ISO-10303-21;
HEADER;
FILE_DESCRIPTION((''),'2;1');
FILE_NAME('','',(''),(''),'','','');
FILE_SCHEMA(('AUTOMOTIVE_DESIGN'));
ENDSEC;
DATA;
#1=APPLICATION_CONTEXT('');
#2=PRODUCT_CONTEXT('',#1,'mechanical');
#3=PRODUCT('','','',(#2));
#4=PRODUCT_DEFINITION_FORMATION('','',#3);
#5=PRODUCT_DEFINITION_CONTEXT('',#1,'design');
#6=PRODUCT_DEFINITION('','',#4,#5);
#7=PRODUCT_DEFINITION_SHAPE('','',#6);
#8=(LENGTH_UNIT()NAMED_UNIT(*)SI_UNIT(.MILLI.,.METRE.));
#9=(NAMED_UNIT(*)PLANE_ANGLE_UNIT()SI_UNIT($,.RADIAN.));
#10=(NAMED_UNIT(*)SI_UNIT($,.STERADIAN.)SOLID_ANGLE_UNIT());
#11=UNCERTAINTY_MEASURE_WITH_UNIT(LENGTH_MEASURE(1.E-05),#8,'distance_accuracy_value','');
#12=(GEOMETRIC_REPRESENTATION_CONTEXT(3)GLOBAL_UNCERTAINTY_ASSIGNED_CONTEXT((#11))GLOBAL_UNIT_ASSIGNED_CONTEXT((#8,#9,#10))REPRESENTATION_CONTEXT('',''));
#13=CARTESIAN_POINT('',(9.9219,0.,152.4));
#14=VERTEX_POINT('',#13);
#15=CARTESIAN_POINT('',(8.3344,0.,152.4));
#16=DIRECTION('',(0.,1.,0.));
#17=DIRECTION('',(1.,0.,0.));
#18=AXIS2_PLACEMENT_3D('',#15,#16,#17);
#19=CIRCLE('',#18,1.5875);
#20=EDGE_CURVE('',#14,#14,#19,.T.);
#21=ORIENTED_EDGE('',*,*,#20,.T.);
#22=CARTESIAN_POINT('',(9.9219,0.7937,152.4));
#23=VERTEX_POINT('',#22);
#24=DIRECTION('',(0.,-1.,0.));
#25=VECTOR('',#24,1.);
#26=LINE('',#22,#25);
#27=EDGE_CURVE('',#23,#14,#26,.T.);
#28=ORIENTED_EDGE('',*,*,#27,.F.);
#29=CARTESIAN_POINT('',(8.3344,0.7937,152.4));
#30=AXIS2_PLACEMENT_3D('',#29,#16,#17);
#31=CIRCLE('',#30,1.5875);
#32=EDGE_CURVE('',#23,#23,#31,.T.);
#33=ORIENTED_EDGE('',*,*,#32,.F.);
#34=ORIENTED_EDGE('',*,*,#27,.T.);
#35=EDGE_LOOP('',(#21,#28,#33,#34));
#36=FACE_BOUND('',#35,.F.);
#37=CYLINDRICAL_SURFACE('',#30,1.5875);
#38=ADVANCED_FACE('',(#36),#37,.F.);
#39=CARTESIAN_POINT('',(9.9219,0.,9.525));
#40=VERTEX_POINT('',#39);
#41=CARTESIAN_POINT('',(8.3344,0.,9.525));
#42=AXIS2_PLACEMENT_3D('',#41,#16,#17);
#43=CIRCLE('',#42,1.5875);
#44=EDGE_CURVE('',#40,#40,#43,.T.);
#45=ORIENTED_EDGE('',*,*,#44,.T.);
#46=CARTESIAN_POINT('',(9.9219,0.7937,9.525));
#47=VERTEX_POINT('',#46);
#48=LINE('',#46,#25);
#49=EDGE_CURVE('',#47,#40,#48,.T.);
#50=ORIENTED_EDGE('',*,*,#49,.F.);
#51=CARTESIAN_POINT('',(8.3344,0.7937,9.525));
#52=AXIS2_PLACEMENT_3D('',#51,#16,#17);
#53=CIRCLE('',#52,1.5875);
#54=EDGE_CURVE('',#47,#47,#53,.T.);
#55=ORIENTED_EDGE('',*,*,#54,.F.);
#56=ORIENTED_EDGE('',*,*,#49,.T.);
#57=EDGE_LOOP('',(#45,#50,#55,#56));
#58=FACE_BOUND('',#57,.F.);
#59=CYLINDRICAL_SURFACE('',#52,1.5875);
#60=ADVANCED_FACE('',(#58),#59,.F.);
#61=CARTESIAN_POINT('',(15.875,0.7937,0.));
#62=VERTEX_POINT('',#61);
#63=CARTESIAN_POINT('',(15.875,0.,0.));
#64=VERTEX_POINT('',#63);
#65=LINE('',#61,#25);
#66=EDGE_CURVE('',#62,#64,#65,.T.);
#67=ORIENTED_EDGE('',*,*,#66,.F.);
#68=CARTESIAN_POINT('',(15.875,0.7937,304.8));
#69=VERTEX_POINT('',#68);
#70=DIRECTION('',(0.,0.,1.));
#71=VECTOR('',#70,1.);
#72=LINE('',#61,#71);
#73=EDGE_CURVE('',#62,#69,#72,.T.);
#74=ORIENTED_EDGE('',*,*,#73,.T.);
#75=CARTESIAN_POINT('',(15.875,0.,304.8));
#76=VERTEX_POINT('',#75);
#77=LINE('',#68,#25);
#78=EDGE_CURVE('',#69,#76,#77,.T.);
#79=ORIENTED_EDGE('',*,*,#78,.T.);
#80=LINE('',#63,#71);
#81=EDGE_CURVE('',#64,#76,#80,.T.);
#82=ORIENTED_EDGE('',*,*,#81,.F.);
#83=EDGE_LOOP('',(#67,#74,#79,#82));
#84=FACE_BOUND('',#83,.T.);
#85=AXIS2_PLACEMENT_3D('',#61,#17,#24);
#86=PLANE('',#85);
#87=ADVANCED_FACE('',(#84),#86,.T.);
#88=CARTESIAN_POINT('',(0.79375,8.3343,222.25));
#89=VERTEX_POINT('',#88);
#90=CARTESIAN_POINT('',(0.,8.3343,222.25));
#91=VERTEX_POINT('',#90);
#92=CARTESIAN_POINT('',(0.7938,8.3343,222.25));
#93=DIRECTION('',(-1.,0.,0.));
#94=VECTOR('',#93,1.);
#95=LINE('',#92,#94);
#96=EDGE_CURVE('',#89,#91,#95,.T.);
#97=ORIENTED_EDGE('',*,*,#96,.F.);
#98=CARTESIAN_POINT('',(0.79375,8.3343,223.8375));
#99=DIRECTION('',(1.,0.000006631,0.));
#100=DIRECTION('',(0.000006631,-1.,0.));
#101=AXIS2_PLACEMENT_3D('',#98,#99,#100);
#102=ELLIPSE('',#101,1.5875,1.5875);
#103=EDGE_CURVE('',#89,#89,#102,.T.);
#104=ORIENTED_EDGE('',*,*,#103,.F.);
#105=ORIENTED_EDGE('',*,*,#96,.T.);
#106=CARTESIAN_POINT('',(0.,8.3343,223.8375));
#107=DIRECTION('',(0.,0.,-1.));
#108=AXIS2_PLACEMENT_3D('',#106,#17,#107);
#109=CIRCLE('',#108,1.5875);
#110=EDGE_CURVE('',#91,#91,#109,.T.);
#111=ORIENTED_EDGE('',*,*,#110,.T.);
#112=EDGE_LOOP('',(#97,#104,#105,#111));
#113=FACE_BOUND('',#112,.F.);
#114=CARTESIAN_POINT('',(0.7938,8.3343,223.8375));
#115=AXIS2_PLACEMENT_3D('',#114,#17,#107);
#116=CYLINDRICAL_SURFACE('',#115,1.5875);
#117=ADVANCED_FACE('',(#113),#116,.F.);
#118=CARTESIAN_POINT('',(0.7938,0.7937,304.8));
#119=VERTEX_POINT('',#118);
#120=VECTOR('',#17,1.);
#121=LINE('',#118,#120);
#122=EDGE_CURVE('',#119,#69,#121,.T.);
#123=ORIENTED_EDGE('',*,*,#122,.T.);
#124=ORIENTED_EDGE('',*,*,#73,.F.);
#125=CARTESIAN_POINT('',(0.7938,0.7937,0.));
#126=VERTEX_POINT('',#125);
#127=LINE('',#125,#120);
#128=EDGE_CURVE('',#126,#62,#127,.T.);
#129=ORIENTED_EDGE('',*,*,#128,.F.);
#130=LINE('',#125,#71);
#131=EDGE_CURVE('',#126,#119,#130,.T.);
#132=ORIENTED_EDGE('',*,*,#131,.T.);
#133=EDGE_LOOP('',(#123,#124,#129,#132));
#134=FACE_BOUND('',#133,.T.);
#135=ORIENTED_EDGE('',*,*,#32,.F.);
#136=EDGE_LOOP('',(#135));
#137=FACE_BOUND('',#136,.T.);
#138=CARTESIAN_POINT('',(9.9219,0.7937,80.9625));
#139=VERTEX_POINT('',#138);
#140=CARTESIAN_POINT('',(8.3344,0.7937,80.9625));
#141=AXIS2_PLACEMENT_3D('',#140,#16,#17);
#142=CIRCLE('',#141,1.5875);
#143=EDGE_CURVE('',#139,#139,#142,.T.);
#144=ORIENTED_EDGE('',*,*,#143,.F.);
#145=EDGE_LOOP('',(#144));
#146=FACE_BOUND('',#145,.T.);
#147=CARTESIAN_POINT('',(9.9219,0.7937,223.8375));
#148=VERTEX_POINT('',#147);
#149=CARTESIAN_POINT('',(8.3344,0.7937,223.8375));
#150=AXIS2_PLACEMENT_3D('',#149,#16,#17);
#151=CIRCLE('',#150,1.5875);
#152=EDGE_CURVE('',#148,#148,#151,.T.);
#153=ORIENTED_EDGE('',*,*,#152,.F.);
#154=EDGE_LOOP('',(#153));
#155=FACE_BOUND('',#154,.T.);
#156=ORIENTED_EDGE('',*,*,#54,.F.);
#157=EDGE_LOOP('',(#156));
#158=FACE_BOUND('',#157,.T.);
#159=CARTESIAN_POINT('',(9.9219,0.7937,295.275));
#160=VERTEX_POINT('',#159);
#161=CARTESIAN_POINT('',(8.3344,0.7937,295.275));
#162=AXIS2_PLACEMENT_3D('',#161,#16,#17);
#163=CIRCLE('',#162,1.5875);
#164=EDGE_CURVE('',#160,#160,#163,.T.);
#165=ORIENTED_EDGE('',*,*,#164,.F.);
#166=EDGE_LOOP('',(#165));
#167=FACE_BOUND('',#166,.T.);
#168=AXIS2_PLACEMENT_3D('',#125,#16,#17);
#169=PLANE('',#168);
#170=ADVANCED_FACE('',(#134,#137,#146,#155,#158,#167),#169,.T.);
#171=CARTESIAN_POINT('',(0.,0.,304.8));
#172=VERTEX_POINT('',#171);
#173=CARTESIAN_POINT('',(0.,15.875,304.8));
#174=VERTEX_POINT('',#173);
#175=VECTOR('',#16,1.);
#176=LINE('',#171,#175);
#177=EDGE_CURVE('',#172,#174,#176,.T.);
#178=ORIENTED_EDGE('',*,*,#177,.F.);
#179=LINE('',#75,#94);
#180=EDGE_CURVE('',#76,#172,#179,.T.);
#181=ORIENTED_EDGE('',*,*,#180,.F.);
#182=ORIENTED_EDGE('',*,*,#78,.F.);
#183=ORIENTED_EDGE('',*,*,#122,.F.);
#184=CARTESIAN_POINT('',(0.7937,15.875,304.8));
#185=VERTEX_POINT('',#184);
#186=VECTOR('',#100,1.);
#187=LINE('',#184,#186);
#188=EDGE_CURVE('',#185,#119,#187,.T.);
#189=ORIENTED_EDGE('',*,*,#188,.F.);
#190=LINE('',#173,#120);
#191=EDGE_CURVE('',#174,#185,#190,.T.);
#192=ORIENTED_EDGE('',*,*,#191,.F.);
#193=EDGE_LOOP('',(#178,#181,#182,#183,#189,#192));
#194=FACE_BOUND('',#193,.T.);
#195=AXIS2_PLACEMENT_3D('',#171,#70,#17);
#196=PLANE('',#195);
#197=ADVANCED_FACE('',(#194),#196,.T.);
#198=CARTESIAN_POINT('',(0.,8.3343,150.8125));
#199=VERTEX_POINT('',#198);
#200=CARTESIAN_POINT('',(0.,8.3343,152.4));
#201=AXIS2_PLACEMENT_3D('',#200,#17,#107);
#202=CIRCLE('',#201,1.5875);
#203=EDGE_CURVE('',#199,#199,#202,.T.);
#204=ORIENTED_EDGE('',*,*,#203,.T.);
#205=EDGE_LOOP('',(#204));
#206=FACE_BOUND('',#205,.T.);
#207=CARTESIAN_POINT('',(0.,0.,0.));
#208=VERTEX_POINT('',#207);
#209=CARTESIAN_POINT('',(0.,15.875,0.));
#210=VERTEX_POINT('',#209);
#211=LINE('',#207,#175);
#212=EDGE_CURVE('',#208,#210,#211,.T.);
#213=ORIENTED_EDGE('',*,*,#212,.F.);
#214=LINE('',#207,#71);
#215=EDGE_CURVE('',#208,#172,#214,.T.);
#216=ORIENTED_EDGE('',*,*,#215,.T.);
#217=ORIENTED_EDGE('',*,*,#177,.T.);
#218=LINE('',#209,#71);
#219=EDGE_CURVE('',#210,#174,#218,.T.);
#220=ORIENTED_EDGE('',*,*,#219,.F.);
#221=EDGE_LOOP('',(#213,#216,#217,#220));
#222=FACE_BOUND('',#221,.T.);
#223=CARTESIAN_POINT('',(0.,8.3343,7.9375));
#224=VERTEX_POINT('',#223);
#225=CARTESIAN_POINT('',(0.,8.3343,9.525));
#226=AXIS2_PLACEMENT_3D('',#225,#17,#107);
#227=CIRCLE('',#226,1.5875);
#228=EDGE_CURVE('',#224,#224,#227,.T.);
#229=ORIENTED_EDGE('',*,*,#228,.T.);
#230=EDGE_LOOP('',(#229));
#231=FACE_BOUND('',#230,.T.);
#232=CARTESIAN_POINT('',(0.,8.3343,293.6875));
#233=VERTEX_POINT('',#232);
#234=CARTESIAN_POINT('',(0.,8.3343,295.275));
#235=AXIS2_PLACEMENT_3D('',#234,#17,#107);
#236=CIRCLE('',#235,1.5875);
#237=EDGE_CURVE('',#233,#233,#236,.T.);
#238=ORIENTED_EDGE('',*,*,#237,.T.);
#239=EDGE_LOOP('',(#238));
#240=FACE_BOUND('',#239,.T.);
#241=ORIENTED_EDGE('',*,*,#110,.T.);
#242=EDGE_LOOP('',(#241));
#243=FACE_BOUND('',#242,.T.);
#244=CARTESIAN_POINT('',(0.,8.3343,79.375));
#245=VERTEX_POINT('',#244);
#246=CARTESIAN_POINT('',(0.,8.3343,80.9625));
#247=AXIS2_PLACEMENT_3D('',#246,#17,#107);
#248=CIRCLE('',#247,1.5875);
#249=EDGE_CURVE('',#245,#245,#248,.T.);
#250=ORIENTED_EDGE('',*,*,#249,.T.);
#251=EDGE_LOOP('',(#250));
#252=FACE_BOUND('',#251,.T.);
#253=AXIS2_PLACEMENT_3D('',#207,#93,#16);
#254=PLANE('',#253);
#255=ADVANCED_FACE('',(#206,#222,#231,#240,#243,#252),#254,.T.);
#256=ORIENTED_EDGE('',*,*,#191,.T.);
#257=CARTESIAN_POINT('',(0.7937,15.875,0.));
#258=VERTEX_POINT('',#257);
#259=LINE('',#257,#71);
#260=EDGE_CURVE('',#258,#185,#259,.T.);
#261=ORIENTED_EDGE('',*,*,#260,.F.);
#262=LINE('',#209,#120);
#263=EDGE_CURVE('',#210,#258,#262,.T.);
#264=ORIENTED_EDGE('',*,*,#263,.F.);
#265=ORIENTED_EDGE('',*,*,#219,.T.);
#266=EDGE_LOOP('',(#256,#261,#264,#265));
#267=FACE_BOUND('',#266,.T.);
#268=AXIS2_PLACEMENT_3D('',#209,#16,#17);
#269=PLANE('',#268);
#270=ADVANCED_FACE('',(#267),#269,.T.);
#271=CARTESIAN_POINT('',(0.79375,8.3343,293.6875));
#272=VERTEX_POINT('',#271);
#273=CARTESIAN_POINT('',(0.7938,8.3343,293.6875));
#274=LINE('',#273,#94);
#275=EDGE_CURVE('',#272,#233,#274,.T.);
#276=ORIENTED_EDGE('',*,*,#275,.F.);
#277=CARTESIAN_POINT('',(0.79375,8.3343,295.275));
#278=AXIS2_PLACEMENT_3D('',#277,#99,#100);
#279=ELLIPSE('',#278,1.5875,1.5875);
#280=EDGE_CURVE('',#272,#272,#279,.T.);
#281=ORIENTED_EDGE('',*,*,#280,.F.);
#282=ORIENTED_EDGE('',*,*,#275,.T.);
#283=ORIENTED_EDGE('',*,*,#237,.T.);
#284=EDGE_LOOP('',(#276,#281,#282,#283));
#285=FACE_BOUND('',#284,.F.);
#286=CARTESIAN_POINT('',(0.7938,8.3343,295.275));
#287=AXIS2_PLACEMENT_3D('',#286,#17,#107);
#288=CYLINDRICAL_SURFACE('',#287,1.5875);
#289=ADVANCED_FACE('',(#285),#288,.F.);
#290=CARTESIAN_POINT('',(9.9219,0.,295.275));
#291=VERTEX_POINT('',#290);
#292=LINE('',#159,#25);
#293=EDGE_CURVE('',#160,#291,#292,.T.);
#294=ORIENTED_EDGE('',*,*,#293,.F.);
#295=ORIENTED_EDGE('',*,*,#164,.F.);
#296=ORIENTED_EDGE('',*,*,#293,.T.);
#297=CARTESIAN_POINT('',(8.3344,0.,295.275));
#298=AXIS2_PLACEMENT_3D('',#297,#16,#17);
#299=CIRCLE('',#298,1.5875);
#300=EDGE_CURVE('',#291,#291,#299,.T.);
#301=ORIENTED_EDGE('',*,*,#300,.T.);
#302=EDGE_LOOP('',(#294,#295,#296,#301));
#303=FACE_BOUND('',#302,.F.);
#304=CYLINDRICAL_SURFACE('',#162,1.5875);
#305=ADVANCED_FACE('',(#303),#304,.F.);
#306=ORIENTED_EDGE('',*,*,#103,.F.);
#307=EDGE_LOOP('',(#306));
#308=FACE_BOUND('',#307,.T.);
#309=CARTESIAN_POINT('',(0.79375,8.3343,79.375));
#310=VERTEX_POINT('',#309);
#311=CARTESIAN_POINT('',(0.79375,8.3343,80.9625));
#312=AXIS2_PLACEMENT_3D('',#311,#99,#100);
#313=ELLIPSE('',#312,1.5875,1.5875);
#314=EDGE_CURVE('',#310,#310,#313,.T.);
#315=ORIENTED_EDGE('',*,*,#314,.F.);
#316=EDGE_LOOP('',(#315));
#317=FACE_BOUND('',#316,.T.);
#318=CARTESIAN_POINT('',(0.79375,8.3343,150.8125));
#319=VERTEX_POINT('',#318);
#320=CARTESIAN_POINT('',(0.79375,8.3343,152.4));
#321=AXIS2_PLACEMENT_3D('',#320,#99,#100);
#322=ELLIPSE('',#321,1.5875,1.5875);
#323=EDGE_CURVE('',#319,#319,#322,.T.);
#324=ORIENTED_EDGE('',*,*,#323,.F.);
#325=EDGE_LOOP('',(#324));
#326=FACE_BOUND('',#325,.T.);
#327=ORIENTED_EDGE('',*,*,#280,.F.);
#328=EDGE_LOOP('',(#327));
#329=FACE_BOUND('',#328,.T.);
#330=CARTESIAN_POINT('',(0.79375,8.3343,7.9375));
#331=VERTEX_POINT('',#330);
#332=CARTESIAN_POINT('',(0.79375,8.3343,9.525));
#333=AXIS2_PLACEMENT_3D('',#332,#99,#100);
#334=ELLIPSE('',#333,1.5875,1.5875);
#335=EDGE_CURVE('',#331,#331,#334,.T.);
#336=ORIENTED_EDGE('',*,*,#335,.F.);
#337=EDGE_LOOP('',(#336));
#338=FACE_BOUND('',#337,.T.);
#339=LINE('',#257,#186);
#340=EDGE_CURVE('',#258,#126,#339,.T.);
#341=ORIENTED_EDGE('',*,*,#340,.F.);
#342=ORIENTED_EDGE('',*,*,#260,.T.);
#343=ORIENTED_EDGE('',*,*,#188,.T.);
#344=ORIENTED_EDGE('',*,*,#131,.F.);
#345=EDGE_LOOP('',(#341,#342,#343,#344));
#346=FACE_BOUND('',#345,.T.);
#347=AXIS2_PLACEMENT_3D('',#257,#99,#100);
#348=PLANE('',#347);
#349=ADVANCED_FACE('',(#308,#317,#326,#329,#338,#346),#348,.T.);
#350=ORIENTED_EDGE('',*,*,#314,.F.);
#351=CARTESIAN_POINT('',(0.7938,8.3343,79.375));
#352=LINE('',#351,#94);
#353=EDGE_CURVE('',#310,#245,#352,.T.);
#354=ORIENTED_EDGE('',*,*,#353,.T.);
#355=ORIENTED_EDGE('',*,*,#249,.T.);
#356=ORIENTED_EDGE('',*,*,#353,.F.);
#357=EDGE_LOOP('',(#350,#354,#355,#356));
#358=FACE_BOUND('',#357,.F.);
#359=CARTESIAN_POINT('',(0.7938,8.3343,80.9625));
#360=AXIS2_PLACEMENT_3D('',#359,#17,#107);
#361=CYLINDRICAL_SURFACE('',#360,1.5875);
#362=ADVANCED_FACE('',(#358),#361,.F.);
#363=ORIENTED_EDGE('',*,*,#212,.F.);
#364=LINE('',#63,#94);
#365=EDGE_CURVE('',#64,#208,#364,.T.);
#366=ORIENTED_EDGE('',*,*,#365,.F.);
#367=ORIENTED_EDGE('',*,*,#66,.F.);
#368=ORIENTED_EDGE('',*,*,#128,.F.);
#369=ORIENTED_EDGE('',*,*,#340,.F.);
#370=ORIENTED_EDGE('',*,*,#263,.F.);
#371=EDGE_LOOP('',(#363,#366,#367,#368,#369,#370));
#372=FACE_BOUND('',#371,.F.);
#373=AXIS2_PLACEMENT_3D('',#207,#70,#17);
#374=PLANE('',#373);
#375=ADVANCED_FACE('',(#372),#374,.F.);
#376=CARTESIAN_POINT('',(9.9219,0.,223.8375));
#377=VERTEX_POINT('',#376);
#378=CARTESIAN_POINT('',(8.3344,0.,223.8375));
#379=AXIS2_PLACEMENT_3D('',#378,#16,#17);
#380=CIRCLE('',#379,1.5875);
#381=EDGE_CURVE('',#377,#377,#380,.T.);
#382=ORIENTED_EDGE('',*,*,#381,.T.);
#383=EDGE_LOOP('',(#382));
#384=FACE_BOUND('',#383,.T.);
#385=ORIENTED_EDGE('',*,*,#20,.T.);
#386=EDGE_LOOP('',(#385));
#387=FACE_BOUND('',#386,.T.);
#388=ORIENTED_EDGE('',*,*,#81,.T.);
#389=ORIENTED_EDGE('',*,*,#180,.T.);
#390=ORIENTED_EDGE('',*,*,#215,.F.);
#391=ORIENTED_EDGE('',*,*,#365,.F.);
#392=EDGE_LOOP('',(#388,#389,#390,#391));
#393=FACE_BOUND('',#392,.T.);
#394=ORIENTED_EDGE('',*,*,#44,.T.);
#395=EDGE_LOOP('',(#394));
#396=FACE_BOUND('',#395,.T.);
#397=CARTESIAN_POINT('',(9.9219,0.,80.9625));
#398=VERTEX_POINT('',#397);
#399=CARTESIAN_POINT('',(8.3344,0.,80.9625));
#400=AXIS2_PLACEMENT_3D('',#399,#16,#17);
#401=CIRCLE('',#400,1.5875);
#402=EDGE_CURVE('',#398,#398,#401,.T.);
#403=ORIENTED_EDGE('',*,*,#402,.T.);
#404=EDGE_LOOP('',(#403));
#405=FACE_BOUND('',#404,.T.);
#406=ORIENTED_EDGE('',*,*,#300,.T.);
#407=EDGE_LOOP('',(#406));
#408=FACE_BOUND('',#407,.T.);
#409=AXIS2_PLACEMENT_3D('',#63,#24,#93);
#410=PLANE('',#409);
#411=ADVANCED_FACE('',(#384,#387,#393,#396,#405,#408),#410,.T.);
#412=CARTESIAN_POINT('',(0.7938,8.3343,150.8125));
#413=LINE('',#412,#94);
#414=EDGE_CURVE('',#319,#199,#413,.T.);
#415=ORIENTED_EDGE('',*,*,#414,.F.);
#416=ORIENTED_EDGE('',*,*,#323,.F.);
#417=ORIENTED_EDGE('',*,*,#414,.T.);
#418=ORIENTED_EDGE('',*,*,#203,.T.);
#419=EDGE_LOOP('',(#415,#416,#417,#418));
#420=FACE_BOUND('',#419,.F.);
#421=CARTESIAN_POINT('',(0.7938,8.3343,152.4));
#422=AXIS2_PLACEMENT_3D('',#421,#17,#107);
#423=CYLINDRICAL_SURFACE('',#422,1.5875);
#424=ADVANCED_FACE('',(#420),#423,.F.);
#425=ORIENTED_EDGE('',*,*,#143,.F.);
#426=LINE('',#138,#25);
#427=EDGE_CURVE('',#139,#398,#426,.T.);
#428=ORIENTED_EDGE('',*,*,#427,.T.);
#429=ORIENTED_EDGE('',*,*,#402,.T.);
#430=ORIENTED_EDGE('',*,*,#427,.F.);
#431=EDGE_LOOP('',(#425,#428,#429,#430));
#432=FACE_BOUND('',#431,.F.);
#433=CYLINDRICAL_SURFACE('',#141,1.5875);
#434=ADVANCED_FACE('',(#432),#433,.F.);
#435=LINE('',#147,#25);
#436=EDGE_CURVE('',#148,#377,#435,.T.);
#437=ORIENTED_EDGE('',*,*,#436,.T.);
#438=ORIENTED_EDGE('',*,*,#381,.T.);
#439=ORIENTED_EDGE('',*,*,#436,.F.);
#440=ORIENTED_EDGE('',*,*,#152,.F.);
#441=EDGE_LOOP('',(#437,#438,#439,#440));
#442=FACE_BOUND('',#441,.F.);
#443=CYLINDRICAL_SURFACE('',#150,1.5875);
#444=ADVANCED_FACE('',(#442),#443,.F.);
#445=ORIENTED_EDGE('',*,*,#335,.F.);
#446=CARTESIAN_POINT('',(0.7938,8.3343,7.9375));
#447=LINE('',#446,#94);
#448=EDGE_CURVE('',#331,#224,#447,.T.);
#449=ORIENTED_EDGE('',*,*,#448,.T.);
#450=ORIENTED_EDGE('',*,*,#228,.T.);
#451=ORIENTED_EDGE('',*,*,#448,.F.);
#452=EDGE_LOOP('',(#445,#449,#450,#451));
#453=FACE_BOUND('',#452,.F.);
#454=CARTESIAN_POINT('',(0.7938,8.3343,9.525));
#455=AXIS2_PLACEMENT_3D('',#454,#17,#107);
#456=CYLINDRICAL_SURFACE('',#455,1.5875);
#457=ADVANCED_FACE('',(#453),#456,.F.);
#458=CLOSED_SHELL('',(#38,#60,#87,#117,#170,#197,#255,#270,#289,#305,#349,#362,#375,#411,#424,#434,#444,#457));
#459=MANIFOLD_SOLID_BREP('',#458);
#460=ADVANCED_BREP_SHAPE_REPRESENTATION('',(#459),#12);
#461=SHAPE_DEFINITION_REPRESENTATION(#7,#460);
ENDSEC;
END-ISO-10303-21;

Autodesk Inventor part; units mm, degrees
ref_plane "YZ Plane" through (0, 0, 0) normal (1, 0, 0) x (0, 1, 0)
ref_plane "XZ Plane" through (0, 0, 0) normal (0, 1, 0) x (-1, 0, 0)
ref_plane "XY Plane" through (0, 0, 0) normal (0, 0, 1) x (1, 0, 0)
sketch "Sketch1" plane through (0, 0, 0) normal (0, 0, 1) x (1, 0, 0)
  line L0 (0, 0) -> (0, 15.875)
  line L1 (0, 15.875) -> (0.7937, 15.875)
  line L2 (0.7937, 15.875) -> (0.7938, 0.7937)
  line L3 (0.7938, 0.7937) -> (15.875, 0.7937)
  line L4 (15.875, 0.7937) -> (15.875, 0)
  line L5 (15.875, 0) -> (0, 0)
  dimension "d0" = 15.875
  dimension "d1" = 0.7937
extrude "Extrusion1" add sketch "Sketch1" along normal blind 304.8
sketch "Sketch2" plane through (0.7938, 0.7937, 0) normal (0, 1, 0) x (1, 0, 0)
  line L0 (0, 0) -> (15.0812, 0) projected
  line L1 (15.0812, -304.8) -> (0, -304.8) projected
  line L2 (7.5406, 0) -> (7.5406, -304.8) construction
  circle A0 centre (7.5406, -9.525) radius 1.5875
  circle A1 centre (7.5406, -80.9625) radius 1.5875
  circle A2 centre (7.5406, -152.4) radius 1.5875
  circle A3 centre (7.5406, -223.8375) radius 1.5875
  circle A4 centre (7.5406, -295.275) radius 1.5875
  point P0 (-0.7938, 0)
  dimension "d4" = 9.525
  dimension "d5" = 3.175
  dimension "d6" = 304.8
  dimension "d9" = 71.4375
sketch "Sketch3" plane through (0.7938, 0.7937, 0) normal (1, 0, 0) x (0, 0, -1)
  line L0 (0, 15.0812) -> (0, 0) projected
  line L1 (-304.8, 0) -> (-304.8, 15.0812) projected
  line L2 (-304.8, 7.5406) -> (0, 7.5406) construction
  circle A0 centre (-9.525, 7.5406) radius 1.5875
  circle A1 centre (-80.9625, 7.5406) radius 1.5875
  circle A2 centre (-152.4, 7.5406) radius 1.5875
  circle A3 centre (-223.8375, 7.5406) radius 1.5875
  circle A4 centre (-295.275, 7.5406) radius 1.5875
  point P0 (0, -0.7937)
  dimension "d14" = 3.175
  dimension "d15" = 9.525
  dimension "d16" = 304.8
  dimension "d19" = 71.4375
extrude "Extrusion2" cut sketch "Sketch2" against normal through all
extrude "Extrusion3" cut sketch "Sketch3" against normal through all
properties part number "Hopper Bracing Right Bottom P9" material "Aluminum 6061"
